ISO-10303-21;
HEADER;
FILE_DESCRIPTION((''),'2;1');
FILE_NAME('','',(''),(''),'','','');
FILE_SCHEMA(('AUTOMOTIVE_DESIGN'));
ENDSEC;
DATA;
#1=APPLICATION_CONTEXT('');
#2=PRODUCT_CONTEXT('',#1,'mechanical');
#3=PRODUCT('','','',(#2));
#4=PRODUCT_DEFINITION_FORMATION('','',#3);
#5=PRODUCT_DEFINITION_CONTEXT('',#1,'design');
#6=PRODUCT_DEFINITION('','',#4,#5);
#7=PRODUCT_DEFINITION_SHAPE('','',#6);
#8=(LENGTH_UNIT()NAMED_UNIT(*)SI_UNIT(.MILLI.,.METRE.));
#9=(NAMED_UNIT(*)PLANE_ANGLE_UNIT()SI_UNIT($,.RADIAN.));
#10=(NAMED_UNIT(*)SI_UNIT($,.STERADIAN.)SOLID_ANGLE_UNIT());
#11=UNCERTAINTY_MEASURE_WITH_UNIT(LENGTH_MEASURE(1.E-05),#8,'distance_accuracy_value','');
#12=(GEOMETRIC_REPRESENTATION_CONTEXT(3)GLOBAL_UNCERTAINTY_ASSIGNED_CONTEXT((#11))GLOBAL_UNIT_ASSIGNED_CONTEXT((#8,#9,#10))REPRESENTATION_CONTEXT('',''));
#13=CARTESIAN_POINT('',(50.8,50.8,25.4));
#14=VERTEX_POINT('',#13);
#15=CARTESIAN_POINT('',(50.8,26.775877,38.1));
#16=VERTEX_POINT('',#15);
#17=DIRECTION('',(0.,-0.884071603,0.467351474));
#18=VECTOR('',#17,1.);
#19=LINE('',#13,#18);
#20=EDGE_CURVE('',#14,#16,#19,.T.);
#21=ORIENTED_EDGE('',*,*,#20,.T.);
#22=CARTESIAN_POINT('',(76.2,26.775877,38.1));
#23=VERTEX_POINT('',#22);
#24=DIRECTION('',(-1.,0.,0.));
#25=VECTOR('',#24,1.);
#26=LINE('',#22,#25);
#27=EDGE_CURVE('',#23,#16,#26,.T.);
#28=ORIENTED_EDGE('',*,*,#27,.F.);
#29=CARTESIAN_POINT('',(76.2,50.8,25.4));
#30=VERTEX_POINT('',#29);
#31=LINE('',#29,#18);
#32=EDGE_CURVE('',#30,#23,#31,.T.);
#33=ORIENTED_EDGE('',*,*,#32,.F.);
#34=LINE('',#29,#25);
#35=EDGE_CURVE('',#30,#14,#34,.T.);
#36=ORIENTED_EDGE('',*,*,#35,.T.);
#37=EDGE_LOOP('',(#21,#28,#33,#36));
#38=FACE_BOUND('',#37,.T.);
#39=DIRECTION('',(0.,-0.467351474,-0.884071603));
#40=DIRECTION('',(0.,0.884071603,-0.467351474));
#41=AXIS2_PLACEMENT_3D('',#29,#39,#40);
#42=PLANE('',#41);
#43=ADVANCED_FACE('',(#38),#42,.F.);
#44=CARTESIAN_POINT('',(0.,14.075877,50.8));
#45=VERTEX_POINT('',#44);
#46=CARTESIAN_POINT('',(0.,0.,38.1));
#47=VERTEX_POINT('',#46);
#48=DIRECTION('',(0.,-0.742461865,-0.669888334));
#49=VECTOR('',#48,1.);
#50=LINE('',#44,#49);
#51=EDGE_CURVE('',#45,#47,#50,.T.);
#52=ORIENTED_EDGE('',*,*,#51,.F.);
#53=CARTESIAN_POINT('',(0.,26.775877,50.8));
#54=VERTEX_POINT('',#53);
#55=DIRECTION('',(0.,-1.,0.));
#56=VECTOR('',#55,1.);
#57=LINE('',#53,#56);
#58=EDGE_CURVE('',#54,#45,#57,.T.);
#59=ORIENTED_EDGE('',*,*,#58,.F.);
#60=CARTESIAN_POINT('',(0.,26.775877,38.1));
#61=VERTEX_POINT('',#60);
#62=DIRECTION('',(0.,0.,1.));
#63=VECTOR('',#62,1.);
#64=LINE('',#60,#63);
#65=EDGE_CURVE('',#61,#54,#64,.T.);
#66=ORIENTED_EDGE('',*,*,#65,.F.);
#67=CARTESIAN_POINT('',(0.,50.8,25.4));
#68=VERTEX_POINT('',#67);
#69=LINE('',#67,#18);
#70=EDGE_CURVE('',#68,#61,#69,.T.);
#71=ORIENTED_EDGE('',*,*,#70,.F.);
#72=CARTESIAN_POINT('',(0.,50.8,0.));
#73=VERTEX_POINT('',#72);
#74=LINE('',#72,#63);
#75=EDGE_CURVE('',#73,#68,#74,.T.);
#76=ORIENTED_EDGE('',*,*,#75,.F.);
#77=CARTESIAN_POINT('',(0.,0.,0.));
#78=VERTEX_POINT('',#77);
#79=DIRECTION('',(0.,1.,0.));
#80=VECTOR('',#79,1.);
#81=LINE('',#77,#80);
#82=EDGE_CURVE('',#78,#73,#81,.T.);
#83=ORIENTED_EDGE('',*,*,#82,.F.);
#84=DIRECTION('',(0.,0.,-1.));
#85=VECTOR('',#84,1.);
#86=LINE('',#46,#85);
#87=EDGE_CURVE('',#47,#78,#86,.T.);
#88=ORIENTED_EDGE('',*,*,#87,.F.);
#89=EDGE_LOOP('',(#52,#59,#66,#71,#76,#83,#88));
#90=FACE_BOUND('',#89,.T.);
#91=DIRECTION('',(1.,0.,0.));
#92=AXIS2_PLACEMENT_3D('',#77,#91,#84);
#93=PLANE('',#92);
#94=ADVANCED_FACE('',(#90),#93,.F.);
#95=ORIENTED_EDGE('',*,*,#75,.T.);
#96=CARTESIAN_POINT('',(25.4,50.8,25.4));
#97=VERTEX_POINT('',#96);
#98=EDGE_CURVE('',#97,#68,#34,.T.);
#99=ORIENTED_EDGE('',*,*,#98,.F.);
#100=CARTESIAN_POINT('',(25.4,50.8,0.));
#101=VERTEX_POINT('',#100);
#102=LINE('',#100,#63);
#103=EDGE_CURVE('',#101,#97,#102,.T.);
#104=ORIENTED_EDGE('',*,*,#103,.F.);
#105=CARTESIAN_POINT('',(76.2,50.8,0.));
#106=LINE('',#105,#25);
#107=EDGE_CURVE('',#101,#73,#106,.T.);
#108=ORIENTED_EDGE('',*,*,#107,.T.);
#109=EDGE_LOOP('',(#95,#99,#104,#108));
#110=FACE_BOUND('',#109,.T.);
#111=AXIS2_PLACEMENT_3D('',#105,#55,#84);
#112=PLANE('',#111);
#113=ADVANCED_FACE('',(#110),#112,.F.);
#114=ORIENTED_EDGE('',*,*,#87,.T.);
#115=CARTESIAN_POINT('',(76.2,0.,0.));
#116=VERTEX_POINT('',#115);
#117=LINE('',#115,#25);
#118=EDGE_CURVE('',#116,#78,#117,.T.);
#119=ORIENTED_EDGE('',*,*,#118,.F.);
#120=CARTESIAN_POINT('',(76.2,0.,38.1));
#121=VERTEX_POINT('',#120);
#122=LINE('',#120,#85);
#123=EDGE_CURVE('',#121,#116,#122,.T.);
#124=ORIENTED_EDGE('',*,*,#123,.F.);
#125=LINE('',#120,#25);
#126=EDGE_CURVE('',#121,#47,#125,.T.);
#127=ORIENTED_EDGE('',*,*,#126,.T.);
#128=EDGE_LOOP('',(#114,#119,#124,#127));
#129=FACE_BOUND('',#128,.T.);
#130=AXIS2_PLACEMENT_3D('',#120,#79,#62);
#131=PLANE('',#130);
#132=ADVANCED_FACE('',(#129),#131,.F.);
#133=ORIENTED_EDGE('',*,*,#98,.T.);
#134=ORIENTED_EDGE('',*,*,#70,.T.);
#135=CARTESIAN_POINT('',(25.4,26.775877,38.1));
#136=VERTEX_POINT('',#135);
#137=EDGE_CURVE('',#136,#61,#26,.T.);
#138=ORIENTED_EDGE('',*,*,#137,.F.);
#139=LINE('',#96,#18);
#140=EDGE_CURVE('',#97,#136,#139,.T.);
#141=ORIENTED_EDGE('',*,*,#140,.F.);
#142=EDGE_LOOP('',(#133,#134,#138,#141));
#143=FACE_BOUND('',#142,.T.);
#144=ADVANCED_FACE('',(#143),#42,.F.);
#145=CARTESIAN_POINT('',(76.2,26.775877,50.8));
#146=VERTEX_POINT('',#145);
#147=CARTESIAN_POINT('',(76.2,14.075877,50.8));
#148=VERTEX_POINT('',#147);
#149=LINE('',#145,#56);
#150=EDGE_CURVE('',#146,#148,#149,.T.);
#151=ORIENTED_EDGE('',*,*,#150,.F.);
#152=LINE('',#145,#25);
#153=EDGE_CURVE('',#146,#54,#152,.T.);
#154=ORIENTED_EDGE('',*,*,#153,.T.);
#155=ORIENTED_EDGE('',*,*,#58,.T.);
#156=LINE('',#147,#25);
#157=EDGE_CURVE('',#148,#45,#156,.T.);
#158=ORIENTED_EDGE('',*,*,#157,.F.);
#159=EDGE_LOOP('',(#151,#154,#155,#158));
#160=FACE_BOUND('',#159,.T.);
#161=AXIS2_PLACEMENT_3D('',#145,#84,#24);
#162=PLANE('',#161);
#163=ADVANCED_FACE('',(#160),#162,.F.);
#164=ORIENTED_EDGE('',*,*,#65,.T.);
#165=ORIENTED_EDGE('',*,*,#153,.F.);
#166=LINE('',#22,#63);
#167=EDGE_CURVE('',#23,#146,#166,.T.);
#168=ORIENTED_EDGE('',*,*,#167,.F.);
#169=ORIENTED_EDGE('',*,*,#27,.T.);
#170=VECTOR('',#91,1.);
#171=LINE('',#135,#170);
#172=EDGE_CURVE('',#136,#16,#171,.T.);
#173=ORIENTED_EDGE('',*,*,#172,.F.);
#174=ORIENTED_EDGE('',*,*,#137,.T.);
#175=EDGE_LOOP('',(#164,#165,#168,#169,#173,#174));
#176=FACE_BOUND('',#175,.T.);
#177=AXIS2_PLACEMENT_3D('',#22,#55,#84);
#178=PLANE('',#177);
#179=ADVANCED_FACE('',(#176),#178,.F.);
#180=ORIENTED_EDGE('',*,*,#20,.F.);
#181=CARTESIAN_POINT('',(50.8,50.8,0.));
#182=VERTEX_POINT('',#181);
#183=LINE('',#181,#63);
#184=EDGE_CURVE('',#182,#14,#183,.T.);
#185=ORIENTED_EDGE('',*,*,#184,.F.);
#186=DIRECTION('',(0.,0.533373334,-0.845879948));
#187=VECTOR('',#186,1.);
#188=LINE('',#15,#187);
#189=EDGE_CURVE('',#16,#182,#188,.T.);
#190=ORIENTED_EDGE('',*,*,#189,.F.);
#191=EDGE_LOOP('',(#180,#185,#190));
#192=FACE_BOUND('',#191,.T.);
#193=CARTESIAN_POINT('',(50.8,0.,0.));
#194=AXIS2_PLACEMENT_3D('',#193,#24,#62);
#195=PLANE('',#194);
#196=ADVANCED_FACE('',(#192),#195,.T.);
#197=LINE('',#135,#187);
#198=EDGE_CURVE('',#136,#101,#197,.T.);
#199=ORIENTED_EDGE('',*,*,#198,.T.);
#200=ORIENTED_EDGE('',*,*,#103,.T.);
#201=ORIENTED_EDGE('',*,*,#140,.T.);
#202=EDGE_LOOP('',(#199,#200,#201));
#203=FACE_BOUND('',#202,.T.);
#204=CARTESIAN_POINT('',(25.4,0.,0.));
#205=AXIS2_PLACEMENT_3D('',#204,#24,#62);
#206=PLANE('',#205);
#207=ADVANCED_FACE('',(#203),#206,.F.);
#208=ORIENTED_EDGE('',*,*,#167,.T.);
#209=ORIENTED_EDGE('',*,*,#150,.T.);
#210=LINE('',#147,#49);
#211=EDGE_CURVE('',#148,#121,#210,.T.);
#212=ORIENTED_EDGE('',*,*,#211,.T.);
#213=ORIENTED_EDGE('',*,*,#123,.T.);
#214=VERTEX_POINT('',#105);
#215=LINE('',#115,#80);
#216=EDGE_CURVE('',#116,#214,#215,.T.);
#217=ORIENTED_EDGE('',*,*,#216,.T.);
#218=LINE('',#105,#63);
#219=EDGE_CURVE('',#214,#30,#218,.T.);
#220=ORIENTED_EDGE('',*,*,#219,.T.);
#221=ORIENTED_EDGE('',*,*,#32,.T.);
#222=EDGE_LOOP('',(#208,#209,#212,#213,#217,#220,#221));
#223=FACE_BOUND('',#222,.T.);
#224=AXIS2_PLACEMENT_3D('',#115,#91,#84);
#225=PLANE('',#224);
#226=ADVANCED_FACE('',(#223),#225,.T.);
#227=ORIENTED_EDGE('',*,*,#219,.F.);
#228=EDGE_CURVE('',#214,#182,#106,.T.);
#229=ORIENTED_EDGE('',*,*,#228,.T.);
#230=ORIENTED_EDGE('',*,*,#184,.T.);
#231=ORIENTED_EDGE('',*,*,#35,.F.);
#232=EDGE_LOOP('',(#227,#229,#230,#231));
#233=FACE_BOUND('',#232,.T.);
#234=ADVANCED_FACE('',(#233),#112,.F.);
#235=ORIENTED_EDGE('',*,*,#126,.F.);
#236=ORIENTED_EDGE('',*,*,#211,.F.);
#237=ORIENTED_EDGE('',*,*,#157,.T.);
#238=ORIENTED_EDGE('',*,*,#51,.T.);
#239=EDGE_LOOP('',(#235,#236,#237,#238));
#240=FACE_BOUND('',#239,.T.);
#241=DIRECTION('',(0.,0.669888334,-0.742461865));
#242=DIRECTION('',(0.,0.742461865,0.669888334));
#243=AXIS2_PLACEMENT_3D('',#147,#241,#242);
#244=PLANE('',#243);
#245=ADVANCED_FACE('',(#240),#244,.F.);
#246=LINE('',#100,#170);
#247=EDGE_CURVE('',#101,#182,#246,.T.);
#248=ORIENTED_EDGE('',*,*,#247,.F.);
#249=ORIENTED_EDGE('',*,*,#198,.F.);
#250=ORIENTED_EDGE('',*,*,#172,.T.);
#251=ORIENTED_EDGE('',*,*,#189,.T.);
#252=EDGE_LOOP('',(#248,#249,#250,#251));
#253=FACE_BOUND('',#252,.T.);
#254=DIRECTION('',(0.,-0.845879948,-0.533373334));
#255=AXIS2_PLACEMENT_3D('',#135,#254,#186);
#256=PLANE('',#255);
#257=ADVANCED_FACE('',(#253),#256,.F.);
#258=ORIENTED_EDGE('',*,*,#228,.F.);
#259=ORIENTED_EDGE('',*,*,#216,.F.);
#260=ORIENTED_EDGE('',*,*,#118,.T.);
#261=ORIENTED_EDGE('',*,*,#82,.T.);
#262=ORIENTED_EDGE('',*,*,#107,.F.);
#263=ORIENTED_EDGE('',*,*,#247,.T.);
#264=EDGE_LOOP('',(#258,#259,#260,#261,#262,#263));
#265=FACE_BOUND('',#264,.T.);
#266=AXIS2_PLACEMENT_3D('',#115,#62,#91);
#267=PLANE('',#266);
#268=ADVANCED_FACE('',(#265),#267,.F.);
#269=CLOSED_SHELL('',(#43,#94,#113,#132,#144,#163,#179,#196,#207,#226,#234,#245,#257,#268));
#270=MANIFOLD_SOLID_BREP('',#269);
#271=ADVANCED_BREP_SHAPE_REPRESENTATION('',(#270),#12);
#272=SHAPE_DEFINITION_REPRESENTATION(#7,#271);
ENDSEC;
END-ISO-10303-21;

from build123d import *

# Parameters (mm, degrees)
SALIENTE_EXTRUIR1_DEPTH = 76.2
CORTAR_EXTRUIR1_START   = -25.4
CORTAR_EXTRUIR1_DEPTH   = 25.4


with BuildPart() as part:
    # Croquis1 → Saliente-Extruir1 (new body)
    with BuildSketch(Plane(origin=(0, 0, 0), x_dir=(0, 0, -1), z_dir=(1, 0, 0))):
        Polygon((0, 0), (0, 50.8), (-25.4, 50.8), (-38.1, 26.775876844), (-50.8, 26.775876844), (-50.8, 14.075876844), (-38.1, 0), align=None)
    extrude(amount=SALIENTE_EXTRUIR1_DEPTH)

    # Croquis2 → Cortar-Extruir1 (cut)
    with BuildSketch(Plane(origin=(76.2, 0, 0), x_dir=(0, 0, -1), z_dir=(1, 0, 0)).offset(CORTAR_EXTRUIR1_START)):
        Polygon((-38.1, 26.775876844), (0, 50.8), (-25.4, 50.8), align=None)
    extrude(amount=-CORTAR_EXTRUIR1_DEPTH, mode=Mode.SUBTRACT)


solid = part.part
